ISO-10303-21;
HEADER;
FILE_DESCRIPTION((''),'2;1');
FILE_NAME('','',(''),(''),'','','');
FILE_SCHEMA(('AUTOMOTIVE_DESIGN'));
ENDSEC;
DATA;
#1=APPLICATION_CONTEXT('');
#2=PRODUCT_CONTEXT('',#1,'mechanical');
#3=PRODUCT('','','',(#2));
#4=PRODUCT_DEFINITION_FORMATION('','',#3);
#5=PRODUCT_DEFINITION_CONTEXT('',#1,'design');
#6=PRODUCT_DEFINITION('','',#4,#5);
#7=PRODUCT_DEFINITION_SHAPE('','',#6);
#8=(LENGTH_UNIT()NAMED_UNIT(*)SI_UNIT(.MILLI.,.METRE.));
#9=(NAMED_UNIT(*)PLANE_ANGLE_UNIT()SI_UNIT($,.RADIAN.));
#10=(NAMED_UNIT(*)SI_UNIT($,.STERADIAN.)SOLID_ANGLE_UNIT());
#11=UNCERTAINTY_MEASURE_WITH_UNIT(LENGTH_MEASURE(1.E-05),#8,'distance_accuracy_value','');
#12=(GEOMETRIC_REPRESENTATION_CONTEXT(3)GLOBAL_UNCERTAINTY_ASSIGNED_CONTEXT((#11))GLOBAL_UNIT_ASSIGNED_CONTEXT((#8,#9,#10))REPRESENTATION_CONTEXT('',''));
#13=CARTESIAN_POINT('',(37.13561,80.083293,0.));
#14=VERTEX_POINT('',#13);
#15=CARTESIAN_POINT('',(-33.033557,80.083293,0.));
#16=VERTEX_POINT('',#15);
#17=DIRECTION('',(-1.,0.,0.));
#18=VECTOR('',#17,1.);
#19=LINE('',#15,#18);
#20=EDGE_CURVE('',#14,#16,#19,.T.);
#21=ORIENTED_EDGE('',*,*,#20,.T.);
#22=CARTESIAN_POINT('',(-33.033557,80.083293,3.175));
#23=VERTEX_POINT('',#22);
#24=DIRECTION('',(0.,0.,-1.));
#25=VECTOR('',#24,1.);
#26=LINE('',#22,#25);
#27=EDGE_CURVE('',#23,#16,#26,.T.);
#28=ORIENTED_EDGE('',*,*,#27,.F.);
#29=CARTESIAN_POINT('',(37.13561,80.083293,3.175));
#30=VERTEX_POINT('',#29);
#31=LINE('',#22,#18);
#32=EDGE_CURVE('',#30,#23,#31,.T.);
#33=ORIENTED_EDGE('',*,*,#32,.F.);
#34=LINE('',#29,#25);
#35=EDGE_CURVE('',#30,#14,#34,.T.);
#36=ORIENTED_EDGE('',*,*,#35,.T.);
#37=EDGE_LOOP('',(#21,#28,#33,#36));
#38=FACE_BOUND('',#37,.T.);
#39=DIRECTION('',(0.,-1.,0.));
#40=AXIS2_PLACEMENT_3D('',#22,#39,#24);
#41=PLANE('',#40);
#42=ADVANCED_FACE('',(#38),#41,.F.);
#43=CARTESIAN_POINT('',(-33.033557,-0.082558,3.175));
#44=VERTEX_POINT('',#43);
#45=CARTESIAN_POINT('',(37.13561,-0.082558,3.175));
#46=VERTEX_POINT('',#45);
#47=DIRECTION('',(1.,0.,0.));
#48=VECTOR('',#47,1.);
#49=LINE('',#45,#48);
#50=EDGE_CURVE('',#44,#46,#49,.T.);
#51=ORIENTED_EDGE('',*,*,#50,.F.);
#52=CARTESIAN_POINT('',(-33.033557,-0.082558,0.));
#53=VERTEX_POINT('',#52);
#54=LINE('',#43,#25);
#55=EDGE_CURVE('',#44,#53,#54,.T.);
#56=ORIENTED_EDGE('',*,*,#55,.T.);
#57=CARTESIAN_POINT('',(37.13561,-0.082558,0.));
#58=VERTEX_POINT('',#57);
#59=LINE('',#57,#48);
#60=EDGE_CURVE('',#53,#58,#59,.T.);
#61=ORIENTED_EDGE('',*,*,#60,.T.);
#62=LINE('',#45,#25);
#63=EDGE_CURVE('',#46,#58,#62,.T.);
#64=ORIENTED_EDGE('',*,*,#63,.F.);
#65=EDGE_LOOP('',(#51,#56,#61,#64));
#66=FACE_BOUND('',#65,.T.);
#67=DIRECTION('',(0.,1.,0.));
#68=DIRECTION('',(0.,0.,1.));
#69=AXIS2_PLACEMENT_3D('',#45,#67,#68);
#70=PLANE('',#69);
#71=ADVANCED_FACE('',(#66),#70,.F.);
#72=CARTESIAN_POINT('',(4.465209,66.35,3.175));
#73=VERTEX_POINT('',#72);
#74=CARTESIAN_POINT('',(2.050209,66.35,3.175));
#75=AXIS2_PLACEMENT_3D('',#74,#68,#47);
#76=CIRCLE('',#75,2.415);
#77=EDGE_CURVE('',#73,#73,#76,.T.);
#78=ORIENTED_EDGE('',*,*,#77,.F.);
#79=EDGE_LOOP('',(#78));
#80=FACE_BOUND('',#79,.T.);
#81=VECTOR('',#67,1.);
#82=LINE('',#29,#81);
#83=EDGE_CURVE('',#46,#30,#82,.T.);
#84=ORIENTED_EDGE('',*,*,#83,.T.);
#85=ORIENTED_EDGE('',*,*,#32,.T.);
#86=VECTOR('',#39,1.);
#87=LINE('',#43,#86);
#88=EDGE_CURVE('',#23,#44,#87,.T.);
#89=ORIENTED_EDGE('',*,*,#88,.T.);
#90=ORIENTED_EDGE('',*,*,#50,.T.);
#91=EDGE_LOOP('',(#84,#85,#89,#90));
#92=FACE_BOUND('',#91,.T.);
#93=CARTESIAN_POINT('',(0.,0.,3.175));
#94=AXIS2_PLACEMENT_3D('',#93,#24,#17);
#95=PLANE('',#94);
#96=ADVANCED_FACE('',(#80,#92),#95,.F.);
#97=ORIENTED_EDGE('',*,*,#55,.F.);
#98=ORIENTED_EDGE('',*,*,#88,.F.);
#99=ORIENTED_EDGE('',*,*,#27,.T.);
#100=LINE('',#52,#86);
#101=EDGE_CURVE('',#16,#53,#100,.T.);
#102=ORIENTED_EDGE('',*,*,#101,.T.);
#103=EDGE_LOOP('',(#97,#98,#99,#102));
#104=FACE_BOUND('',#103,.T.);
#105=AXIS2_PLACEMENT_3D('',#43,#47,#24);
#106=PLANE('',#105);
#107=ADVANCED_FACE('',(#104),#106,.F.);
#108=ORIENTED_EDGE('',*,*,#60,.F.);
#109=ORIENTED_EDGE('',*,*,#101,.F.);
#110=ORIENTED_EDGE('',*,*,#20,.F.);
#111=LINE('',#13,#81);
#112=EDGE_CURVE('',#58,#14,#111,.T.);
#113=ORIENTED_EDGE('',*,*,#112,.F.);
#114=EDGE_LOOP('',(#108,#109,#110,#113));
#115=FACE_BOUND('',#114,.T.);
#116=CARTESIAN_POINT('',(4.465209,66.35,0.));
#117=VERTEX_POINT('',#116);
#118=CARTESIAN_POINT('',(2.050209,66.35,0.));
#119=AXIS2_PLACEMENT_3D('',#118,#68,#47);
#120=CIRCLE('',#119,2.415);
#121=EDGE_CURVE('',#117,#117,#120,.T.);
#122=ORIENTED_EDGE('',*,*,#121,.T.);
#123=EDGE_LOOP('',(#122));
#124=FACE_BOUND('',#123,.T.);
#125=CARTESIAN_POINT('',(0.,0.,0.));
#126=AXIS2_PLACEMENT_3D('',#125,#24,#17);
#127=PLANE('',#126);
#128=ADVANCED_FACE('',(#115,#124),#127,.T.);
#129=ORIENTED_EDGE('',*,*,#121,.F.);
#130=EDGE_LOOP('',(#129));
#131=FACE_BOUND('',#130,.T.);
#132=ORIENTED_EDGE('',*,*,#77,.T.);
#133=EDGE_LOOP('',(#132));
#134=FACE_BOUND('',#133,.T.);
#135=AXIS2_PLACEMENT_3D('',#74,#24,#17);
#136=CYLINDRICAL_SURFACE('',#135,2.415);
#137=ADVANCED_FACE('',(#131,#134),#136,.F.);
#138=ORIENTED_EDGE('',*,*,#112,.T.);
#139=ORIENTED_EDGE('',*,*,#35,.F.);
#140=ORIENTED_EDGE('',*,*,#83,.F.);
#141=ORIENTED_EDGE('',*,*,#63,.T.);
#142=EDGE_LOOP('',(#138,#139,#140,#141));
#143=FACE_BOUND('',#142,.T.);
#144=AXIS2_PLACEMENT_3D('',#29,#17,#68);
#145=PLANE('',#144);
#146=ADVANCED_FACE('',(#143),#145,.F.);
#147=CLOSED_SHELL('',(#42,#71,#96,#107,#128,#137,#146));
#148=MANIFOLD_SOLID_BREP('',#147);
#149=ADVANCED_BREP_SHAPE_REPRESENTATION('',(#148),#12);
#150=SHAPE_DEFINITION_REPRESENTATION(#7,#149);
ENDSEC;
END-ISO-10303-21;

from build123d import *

# Parameters (mm, degrees)
SKETCH1_W           = 70.169166007
SKETCH1_H           = 80.165851149
SKETCH1_R           = 2.415
BOSS_EXTRUDE1_DEPTH = 3.175


with BuildPart() as part:
    # Sketch1 → Boss-Extrude1 (new body)
    with BuildSketch(Plane.XY):
        with Locations((2.051026502, 40.000367746)):
            Rectangle(SKETCH1_W, SKETCH1_H)
        with Locations((2.050209205, 66.35)):
            Circle(SKETCH1_R, mode=Mode.SUBTRACT)
    extrude(amount=BOSS_EXTRUDE1_DEPTH)


solid = part.part
